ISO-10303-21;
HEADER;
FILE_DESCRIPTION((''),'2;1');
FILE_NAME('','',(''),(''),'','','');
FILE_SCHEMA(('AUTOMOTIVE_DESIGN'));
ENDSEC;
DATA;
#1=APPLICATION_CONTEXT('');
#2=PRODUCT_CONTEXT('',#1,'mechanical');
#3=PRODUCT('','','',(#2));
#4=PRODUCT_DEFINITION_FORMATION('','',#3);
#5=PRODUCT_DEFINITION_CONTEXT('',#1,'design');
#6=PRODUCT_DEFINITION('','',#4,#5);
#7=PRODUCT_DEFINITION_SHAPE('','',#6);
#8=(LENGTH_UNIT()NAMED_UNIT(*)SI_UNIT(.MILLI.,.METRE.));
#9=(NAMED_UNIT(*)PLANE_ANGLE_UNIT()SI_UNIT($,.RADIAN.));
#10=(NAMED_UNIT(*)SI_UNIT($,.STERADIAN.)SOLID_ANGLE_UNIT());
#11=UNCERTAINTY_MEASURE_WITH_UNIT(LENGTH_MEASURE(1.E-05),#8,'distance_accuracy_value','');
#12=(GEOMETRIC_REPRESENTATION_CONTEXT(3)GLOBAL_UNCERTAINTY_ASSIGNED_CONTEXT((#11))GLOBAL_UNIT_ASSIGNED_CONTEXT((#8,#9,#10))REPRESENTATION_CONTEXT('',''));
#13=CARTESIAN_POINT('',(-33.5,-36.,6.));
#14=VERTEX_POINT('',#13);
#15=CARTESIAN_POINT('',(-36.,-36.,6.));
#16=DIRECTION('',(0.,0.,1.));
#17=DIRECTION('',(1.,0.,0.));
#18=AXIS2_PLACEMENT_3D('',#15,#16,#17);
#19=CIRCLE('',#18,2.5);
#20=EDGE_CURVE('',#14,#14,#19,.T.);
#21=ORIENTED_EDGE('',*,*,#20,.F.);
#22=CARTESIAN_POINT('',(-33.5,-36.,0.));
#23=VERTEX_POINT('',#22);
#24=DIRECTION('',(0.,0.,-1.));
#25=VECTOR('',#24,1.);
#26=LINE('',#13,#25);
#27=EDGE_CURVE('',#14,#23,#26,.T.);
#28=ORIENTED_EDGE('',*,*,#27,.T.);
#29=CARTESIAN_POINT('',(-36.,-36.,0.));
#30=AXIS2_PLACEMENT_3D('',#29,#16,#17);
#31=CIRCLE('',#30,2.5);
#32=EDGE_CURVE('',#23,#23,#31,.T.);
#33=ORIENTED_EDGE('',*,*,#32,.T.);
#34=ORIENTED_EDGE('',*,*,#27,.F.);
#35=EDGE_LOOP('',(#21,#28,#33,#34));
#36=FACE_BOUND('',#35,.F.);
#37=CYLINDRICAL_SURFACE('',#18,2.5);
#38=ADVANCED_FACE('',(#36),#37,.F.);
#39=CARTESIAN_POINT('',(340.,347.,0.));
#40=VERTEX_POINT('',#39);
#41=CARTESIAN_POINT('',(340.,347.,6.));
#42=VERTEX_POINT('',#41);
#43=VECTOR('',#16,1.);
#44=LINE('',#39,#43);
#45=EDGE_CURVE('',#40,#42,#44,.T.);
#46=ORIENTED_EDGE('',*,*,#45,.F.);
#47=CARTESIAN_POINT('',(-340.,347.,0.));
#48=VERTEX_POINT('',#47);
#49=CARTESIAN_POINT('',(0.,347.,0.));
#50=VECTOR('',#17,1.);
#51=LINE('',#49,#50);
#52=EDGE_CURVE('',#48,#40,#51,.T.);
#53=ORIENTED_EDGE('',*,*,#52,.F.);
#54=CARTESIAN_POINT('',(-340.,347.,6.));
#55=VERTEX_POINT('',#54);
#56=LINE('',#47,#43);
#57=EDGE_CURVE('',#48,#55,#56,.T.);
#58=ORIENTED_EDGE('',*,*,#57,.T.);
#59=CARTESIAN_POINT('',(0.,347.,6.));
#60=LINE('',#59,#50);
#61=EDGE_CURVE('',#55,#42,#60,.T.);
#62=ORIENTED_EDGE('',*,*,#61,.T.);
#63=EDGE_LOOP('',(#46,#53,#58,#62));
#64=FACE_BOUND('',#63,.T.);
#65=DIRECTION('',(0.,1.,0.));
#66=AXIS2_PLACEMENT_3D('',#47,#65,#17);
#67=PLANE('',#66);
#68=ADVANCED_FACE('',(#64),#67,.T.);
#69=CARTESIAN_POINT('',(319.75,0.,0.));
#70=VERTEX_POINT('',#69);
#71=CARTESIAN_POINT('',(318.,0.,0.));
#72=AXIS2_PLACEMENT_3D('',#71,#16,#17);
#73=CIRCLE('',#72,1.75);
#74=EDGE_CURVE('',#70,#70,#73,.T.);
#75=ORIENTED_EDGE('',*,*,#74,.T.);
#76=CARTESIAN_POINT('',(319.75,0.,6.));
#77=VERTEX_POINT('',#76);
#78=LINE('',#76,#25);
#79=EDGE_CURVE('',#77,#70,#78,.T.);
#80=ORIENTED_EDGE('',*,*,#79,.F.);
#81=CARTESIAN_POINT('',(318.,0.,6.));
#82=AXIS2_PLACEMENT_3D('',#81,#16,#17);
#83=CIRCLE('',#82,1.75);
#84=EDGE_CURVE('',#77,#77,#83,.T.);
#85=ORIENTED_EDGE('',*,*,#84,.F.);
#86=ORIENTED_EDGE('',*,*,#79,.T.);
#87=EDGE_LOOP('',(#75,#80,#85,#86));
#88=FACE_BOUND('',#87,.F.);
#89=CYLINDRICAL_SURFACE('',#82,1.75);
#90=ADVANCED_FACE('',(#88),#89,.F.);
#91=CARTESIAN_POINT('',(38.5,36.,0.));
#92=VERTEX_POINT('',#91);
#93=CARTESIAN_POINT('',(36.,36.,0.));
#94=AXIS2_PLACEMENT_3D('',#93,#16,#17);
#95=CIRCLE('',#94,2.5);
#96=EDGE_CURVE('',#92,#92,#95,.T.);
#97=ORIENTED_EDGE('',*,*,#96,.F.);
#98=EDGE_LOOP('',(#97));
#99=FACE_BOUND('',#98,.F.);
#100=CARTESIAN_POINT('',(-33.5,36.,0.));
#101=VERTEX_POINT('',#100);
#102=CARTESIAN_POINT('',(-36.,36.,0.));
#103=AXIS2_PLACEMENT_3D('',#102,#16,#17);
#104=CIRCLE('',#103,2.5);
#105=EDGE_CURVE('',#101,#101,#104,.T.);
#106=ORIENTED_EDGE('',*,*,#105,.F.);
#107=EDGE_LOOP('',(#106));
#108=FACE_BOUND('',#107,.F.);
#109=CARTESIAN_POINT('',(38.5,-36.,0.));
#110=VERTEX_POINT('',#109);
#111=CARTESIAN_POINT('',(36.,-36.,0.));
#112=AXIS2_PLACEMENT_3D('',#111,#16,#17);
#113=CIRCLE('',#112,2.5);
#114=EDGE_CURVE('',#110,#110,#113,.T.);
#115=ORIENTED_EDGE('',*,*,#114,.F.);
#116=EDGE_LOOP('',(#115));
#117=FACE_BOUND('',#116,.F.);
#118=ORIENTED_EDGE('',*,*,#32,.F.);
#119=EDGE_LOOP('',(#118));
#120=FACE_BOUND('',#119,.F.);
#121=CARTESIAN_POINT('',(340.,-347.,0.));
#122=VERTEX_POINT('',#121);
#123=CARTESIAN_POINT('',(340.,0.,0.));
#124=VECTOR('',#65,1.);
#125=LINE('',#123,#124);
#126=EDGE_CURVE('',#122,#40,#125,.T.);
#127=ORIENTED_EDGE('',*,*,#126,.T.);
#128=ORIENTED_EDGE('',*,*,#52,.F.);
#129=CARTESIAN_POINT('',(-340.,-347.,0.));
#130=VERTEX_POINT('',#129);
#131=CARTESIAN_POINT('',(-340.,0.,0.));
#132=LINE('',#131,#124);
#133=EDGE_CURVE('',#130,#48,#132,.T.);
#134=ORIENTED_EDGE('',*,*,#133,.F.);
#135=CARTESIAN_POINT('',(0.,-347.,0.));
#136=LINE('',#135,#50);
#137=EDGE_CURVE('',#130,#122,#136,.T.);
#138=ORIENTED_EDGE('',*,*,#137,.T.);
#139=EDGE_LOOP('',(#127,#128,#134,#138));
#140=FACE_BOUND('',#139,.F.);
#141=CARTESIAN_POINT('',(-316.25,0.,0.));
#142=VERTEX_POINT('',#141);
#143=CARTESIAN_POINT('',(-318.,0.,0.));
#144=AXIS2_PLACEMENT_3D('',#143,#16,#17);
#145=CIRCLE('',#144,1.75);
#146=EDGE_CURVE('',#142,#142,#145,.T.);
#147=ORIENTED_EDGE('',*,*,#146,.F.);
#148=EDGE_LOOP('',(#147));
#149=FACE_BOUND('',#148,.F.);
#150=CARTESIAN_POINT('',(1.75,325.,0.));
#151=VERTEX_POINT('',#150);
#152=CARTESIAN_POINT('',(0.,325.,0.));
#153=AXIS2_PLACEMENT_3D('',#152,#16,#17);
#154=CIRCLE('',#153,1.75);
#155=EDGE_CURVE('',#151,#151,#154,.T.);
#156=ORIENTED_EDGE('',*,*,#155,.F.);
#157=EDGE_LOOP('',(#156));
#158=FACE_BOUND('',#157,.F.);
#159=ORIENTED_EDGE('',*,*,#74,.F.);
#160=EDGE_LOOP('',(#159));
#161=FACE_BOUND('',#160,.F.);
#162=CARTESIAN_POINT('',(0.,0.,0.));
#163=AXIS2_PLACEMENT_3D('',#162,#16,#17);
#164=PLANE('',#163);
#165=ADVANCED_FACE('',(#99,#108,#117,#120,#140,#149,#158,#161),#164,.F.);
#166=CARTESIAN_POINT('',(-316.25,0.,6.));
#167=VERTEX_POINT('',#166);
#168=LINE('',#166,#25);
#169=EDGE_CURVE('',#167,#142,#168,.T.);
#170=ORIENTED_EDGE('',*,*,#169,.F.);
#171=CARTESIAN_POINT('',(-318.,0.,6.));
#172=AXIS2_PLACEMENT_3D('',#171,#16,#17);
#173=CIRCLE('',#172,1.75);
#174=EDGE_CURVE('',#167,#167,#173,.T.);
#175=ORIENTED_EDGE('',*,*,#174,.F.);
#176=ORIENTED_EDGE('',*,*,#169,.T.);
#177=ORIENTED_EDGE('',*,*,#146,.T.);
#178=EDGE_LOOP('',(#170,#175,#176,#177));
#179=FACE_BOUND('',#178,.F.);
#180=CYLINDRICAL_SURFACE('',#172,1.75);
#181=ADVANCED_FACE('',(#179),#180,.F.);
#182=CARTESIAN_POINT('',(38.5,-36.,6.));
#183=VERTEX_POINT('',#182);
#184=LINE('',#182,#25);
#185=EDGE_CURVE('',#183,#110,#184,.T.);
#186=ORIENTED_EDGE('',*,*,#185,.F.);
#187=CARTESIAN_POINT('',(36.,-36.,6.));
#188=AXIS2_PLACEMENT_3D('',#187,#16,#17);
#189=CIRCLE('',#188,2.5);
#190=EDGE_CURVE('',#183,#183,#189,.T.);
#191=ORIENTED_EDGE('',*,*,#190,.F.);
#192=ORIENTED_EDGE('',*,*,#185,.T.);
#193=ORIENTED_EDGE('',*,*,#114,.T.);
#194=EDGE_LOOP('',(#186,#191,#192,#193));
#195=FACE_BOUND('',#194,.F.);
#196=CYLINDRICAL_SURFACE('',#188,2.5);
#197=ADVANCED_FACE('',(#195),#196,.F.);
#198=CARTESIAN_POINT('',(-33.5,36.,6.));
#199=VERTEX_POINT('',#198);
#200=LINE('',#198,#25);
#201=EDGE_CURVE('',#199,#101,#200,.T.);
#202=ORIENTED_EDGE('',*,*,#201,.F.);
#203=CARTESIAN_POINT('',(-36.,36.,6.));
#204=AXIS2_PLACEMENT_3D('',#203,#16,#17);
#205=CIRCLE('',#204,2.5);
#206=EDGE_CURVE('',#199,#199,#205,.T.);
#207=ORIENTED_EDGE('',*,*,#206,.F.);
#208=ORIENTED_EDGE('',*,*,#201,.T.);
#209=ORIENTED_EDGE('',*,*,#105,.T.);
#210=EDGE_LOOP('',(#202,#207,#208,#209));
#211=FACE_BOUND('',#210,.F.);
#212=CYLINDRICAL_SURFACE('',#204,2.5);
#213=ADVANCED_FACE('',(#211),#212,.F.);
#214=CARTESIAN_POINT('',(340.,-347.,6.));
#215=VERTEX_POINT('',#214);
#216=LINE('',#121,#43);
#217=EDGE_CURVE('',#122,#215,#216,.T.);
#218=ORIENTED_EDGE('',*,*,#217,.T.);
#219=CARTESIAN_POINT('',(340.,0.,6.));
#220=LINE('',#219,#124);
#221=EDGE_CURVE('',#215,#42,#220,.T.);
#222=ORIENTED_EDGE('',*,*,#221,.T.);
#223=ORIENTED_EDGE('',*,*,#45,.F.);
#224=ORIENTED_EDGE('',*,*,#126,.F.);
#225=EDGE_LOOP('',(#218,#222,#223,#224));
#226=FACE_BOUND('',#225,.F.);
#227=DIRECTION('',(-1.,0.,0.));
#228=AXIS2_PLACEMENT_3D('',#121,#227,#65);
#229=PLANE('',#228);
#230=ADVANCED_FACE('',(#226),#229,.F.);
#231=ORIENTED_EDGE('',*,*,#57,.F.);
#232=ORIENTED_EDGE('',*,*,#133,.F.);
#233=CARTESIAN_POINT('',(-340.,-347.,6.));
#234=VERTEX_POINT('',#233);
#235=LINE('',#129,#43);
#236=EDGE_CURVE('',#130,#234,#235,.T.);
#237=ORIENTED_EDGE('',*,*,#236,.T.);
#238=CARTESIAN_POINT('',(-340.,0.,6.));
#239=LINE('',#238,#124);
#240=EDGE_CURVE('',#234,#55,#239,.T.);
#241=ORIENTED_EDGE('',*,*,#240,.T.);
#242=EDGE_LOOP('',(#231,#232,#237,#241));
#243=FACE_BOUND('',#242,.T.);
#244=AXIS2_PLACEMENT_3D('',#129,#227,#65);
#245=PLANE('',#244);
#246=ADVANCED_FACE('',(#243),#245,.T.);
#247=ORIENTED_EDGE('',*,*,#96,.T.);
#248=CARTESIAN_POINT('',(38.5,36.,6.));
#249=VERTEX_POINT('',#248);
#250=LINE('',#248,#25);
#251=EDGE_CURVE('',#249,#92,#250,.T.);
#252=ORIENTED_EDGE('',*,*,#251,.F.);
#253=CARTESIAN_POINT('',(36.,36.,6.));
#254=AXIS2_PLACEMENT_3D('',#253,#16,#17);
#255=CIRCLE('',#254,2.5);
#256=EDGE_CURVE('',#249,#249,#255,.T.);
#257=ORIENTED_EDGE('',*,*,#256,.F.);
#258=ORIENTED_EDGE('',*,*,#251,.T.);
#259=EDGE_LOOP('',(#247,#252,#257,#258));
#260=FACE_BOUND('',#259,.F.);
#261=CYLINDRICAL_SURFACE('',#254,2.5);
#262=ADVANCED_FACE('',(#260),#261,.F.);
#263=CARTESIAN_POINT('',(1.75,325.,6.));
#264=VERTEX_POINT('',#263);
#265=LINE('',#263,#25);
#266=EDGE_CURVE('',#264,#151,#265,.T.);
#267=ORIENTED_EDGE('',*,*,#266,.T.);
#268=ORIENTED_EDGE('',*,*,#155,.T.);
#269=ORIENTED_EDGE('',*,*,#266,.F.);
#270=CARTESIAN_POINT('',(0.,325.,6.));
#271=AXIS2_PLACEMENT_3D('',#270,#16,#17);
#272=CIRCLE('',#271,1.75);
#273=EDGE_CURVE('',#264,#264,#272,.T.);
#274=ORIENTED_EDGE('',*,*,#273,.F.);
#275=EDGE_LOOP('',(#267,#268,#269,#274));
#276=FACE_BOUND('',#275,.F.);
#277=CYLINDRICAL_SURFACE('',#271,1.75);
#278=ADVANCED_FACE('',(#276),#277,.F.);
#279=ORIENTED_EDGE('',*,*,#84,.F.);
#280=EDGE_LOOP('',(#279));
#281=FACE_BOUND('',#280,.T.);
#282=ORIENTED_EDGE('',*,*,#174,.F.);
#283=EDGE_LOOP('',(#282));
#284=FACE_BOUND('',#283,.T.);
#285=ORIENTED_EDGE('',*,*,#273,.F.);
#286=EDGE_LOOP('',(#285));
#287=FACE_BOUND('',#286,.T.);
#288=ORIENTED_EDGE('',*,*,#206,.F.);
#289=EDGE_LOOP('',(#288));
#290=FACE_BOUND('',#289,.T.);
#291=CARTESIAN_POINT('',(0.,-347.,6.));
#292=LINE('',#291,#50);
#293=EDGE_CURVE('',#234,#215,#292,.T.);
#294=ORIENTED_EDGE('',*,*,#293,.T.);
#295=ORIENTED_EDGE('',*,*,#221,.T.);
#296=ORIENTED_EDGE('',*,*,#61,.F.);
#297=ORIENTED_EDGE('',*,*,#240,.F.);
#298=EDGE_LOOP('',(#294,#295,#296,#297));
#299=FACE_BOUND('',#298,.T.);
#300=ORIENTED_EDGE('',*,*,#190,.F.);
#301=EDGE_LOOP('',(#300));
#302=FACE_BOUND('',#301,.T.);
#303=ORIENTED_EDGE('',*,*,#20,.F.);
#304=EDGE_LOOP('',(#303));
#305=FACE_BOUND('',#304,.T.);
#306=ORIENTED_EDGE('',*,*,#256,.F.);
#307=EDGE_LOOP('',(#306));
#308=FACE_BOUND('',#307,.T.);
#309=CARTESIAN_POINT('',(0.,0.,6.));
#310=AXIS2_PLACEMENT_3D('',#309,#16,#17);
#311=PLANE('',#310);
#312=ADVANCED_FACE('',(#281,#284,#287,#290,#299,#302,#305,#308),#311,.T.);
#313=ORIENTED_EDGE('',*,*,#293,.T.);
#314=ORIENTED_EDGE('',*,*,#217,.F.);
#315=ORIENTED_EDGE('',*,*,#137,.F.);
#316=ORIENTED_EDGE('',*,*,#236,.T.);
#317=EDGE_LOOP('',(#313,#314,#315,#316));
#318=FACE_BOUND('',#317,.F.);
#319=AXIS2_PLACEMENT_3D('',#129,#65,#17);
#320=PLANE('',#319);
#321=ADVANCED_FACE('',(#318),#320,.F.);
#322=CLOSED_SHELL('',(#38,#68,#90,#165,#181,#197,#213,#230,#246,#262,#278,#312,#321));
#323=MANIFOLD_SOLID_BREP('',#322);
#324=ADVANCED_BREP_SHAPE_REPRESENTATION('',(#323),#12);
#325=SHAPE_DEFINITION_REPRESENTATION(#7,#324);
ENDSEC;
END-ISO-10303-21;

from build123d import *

# Parameters (mm, degrees)
ESQUISSE1_W             = 680
ESQUISSE1_H             = 694
BOSS_EXTRU_1_DEPTH      = 6
ENL_V_MAT_EXTRU_1_REACH = 8
ESQUISSE2_R             = 2.5
ESQUISSE2_R_2           = 1.75


with BuildPart() as part:
    # Esquisse1 → Boss.-Extru.1 (new body)
    with BuildSketch(Plane.XY):
        Rectangle(ESQUISSE1_W, ESQUISSE1_H)
    extrude(amount=BOSS_EXTRU_1_DEPTH)

    # Esquisse2 → Enlèv. mat.-Extru.1 (cut, up to next)
    with BuildSketch(Plane.XY.offset(6), mode=Mode.PRIVATE) as enl_v_mat_extru_1_sk1:
        with Locations((-36, 36)):
            Circle(ESQUISSE2_R)
    enl_v_mat_extru_1_tool1 = extrude(enl_v_mat_extru_1_sk1.sketch, amount=-ENL_V_MAT_EXTRU_1_REACH, mode=Mode.PRIVATE) & part.part
    add(enl_v_mat_extru_1_tool1.solids().sort_by_distance((-36, 36, 6))[0], mode=Mode.SUBTRACT)
    # Esquisse2 → Enlèv. mat.-Extru.1 (cut, up to next)
    with BuildSketch(Plane.XY.offset(6), mode=Mode.PRIVATE) as enl_v_mat_extru_1_sk2:
        with Locations((-36, -36)):
            Circle(ESQUISSE2_R)
    enl_v_mat_extru_1_tool2 = extrude(enl_v_mat_extru_1_sk2.sketch, amount=-ENL_V_MAT_EXTRU_1_REACH, mode=Mode.PRIVATE) & part.part
    add(enl_v_mat_extru_1_tool2.solids().sort_by_distance((-36, -36, 6))[0], mode=Mode.SUBTRACT)
    # Esquisse2 → Enlèv. mat.-Extru.1 (cut, up to next)
    with BuildSketch(Plane.XY.offset(6), mode=Mode.PRIVATE) as enl_v_mat_extru_1_sk3:
        with Locations((36, -36)):
            Circle(ESQUISSE2_R)
    enl_v_mat_extru_1_tool3 = extrude(enl_v_mat_extru_1_sk3.sketch, amount=-ENL_V_MAT_EXTRU_1_REACH, mode=Mode.PRIVATE) & part.part
    add(enl_v_mat_extru_1_tool3.solids().sort_by_distance((36, -36, 6))[0], mode=Mode.SUBTRACT)
    # Esquisse2 → Enlèv. mat.-Extru.1 (cut, up to next)
    with BuildSketch(Plane.XY.offset(6), mode=Mode.PRIVATE) as enl_v_mat_extru_1_sk4:
        with Locations((36, 36)):
            Circle(ESQUISSE2_R)
    enl_v_mat_extru_1_tool4 = extrude(enl_v_mat_extru_1_sk4.sketch, amount=-ENL_V_MAT_EXTRU_1_REACH, mode=Mode.PRIVATE) & part.part
    add(enl_v_mat_extru_1_tool4.solids().sort_by_distance((36, 36, 6))[0], mode=Mode.SUBTRACT)
    # Esquisse2 → Enlèv. mat.-Extru.1 (cut, up to next)
    with BuildSketch(Plane.XY.offset(6), mode=Mode.PRIVATE) as enl_v_mat_extru_1_sk5:
        with Locations((-318, 0)):
            Circle(ESQUISSE2_R_2)
    enl_v_mat_extru_1_tool5 = extrude(enl_v_mat_extru_1_sk5.sketch, amount=-ENL_V_MAT_EXTRU_1_REACH, mode=Mode.PRIVATE) & part.part
    add(enl_v_mat_extru_1_tool5.solids().sort_by_distance((-318, 0, 6))[0], mode=Mode.SUBTRACT)
    # Esquisse2 → Enlèv. mat.-Extru.1 (cut, up to next)
    with BuildSketch(Plane.XY.offset(6), mode=Mode.PRIVATE) as enl_v_mat_extru_1_sk6:
        with Locations((318, 0)):
            Circle(ESQUISSE2_R_2)
    enl_v_mat_extru_1_tool6 = extrude(enl_v_mat_extru_1_sk6.sketch, amount=-ENL_V_MAT_EXTRU_1_REACH, mode=Mode.PRIVATE) & part.part
    add(enl_v_mat_extru_1_tool6.solids().sort_by_distance((318, 0, 6))[0], mode=Mode.SUBTRACT)
    # Esquisse2 → Enlèv. mat.-Extru.1 (cut, up to next)
    with BuildSketch(Plane.XY.offset(6), mode=Mode.PRIVATE) as enl_v_mat_extru_1_sk7:
        with Locations((0, 325)):
            Circle(ESQUISSE2_R_2)
    enl_v_mat_extru_1_tool7 = extrude(enl_v_mat_extru_1_sk7.sketch, amount=-ENL_V_MAT_EXTRU_1_REACH, mode=Mode.PRIVATE) & part.part
    add(enl_v_mat_extru_1_tool7.solids().sort_by_distance((0, 325, 6))[0], mode=Mode.SUBTRACT)


solid = part.part
